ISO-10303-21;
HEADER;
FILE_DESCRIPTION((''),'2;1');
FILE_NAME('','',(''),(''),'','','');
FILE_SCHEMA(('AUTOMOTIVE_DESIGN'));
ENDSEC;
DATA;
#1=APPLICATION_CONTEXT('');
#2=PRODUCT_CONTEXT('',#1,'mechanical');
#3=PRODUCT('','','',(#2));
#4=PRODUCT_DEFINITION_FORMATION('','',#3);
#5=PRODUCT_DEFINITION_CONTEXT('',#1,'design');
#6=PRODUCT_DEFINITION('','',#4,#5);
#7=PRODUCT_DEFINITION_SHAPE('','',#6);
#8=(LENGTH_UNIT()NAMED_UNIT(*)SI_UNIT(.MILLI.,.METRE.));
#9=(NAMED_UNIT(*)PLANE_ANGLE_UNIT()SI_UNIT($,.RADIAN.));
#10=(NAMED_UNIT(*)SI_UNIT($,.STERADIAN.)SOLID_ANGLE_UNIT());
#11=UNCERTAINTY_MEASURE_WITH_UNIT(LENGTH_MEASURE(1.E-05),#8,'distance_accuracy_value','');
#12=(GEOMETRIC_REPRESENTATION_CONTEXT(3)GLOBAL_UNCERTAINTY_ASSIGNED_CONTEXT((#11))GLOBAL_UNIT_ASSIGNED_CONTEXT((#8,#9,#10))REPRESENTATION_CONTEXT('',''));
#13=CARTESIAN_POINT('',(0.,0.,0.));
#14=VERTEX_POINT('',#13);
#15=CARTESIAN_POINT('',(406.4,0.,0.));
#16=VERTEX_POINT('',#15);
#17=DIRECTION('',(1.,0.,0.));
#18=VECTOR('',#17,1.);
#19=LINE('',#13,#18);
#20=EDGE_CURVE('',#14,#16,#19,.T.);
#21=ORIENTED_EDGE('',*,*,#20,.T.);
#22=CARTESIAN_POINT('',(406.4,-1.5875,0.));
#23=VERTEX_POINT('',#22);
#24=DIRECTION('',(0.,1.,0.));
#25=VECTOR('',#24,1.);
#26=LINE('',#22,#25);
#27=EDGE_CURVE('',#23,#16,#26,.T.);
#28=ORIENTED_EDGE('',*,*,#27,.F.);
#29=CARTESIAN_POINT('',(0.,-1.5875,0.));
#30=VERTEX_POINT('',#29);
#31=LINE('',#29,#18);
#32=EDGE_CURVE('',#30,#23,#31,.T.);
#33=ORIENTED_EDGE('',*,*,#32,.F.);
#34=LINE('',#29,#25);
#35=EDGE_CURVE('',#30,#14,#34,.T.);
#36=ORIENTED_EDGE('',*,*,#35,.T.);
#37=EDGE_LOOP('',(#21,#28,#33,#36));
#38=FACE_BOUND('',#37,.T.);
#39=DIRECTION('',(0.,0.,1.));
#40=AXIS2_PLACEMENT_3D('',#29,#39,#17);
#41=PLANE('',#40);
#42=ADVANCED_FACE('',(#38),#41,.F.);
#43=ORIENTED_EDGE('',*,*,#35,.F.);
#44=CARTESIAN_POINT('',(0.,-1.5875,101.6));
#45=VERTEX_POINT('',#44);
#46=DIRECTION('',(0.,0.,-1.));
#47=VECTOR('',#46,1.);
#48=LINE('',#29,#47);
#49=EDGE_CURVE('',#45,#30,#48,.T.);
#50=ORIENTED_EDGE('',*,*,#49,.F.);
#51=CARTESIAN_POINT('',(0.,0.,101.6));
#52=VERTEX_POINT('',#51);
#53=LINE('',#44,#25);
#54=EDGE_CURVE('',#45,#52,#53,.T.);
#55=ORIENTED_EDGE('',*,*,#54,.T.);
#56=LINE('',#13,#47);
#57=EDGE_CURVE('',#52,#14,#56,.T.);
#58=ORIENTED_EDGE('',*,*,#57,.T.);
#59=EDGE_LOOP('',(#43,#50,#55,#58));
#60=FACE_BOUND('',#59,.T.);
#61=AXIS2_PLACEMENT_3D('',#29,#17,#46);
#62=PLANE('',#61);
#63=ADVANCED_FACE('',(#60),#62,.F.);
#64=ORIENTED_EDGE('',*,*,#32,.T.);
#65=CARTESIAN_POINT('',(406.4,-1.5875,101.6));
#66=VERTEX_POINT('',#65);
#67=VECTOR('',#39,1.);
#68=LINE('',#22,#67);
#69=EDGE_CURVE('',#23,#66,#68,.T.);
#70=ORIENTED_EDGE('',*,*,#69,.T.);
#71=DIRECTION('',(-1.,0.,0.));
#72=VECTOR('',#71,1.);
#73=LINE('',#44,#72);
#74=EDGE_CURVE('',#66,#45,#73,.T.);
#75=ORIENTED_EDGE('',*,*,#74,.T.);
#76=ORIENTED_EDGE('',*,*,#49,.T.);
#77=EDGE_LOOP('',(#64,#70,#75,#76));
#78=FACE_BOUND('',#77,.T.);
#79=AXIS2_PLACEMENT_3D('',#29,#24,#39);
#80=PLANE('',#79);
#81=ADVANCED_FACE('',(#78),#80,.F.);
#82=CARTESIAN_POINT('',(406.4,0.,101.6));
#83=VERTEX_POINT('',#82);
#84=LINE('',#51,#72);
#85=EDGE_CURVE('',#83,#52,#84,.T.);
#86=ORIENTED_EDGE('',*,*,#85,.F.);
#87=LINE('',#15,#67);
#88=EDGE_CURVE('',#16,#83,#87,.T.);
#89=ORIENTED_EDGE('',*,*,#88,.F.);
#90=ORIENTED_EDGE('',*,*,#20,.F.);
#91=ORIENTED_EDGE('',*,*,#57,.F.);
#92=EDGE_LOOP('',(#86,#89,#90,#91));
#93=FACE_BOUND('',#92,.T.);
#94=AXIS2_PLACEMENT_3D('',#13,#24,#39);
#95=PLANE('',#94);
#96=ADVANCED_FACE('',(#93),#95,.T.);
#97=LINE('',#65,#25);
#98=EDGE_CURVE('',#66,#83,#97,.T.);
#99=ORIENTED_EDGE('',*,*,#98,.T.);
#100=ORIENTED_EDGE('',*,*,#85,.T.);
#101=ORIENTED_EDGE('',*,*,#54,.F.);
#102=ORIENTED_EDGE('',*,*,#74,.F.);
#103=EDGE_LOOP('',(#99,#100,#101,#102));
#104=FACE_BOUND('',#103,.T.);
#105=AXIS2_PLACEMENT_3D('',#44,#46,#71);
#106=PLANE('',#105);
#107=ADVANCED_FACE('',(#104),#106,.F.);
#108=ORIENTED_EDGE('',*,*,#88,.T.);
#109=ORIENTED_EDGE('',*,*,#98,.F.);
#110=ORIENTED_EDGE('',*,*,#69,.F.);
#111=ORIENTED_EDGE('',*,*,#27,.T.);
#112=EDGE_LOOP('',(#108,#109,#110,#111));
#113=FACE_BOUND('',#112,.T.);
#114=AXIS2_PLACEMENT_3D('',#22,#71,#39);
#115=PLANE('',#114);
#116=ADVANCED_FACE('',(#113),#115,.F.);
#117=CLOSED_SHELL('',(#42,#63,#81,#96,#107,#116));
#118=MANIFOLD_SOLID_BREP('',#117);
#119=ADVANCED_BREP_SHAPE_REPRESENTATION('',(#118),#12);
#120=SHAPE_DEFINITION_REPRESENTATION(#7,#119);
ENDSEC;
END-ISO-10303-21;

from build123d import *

# Parameters (mm, degrees)
SKETCH1_W           = 406.4
SKETCH1_H           = 101.6
BOSS_EXTRUDE1_DEPTH = 1.5875


with BuildPart() as part:
    # Sketch1 → Boss-Extrude1 (new body)
    with BuildSketch(Plane.XZ):
        with Locations((203.2, 50.8)):
            Rectangle(SKETCH1_W, SKETCH1_H)
    extrude(amount=BOSS_EXTRUDE1_DEPTH)


solid = part.part
